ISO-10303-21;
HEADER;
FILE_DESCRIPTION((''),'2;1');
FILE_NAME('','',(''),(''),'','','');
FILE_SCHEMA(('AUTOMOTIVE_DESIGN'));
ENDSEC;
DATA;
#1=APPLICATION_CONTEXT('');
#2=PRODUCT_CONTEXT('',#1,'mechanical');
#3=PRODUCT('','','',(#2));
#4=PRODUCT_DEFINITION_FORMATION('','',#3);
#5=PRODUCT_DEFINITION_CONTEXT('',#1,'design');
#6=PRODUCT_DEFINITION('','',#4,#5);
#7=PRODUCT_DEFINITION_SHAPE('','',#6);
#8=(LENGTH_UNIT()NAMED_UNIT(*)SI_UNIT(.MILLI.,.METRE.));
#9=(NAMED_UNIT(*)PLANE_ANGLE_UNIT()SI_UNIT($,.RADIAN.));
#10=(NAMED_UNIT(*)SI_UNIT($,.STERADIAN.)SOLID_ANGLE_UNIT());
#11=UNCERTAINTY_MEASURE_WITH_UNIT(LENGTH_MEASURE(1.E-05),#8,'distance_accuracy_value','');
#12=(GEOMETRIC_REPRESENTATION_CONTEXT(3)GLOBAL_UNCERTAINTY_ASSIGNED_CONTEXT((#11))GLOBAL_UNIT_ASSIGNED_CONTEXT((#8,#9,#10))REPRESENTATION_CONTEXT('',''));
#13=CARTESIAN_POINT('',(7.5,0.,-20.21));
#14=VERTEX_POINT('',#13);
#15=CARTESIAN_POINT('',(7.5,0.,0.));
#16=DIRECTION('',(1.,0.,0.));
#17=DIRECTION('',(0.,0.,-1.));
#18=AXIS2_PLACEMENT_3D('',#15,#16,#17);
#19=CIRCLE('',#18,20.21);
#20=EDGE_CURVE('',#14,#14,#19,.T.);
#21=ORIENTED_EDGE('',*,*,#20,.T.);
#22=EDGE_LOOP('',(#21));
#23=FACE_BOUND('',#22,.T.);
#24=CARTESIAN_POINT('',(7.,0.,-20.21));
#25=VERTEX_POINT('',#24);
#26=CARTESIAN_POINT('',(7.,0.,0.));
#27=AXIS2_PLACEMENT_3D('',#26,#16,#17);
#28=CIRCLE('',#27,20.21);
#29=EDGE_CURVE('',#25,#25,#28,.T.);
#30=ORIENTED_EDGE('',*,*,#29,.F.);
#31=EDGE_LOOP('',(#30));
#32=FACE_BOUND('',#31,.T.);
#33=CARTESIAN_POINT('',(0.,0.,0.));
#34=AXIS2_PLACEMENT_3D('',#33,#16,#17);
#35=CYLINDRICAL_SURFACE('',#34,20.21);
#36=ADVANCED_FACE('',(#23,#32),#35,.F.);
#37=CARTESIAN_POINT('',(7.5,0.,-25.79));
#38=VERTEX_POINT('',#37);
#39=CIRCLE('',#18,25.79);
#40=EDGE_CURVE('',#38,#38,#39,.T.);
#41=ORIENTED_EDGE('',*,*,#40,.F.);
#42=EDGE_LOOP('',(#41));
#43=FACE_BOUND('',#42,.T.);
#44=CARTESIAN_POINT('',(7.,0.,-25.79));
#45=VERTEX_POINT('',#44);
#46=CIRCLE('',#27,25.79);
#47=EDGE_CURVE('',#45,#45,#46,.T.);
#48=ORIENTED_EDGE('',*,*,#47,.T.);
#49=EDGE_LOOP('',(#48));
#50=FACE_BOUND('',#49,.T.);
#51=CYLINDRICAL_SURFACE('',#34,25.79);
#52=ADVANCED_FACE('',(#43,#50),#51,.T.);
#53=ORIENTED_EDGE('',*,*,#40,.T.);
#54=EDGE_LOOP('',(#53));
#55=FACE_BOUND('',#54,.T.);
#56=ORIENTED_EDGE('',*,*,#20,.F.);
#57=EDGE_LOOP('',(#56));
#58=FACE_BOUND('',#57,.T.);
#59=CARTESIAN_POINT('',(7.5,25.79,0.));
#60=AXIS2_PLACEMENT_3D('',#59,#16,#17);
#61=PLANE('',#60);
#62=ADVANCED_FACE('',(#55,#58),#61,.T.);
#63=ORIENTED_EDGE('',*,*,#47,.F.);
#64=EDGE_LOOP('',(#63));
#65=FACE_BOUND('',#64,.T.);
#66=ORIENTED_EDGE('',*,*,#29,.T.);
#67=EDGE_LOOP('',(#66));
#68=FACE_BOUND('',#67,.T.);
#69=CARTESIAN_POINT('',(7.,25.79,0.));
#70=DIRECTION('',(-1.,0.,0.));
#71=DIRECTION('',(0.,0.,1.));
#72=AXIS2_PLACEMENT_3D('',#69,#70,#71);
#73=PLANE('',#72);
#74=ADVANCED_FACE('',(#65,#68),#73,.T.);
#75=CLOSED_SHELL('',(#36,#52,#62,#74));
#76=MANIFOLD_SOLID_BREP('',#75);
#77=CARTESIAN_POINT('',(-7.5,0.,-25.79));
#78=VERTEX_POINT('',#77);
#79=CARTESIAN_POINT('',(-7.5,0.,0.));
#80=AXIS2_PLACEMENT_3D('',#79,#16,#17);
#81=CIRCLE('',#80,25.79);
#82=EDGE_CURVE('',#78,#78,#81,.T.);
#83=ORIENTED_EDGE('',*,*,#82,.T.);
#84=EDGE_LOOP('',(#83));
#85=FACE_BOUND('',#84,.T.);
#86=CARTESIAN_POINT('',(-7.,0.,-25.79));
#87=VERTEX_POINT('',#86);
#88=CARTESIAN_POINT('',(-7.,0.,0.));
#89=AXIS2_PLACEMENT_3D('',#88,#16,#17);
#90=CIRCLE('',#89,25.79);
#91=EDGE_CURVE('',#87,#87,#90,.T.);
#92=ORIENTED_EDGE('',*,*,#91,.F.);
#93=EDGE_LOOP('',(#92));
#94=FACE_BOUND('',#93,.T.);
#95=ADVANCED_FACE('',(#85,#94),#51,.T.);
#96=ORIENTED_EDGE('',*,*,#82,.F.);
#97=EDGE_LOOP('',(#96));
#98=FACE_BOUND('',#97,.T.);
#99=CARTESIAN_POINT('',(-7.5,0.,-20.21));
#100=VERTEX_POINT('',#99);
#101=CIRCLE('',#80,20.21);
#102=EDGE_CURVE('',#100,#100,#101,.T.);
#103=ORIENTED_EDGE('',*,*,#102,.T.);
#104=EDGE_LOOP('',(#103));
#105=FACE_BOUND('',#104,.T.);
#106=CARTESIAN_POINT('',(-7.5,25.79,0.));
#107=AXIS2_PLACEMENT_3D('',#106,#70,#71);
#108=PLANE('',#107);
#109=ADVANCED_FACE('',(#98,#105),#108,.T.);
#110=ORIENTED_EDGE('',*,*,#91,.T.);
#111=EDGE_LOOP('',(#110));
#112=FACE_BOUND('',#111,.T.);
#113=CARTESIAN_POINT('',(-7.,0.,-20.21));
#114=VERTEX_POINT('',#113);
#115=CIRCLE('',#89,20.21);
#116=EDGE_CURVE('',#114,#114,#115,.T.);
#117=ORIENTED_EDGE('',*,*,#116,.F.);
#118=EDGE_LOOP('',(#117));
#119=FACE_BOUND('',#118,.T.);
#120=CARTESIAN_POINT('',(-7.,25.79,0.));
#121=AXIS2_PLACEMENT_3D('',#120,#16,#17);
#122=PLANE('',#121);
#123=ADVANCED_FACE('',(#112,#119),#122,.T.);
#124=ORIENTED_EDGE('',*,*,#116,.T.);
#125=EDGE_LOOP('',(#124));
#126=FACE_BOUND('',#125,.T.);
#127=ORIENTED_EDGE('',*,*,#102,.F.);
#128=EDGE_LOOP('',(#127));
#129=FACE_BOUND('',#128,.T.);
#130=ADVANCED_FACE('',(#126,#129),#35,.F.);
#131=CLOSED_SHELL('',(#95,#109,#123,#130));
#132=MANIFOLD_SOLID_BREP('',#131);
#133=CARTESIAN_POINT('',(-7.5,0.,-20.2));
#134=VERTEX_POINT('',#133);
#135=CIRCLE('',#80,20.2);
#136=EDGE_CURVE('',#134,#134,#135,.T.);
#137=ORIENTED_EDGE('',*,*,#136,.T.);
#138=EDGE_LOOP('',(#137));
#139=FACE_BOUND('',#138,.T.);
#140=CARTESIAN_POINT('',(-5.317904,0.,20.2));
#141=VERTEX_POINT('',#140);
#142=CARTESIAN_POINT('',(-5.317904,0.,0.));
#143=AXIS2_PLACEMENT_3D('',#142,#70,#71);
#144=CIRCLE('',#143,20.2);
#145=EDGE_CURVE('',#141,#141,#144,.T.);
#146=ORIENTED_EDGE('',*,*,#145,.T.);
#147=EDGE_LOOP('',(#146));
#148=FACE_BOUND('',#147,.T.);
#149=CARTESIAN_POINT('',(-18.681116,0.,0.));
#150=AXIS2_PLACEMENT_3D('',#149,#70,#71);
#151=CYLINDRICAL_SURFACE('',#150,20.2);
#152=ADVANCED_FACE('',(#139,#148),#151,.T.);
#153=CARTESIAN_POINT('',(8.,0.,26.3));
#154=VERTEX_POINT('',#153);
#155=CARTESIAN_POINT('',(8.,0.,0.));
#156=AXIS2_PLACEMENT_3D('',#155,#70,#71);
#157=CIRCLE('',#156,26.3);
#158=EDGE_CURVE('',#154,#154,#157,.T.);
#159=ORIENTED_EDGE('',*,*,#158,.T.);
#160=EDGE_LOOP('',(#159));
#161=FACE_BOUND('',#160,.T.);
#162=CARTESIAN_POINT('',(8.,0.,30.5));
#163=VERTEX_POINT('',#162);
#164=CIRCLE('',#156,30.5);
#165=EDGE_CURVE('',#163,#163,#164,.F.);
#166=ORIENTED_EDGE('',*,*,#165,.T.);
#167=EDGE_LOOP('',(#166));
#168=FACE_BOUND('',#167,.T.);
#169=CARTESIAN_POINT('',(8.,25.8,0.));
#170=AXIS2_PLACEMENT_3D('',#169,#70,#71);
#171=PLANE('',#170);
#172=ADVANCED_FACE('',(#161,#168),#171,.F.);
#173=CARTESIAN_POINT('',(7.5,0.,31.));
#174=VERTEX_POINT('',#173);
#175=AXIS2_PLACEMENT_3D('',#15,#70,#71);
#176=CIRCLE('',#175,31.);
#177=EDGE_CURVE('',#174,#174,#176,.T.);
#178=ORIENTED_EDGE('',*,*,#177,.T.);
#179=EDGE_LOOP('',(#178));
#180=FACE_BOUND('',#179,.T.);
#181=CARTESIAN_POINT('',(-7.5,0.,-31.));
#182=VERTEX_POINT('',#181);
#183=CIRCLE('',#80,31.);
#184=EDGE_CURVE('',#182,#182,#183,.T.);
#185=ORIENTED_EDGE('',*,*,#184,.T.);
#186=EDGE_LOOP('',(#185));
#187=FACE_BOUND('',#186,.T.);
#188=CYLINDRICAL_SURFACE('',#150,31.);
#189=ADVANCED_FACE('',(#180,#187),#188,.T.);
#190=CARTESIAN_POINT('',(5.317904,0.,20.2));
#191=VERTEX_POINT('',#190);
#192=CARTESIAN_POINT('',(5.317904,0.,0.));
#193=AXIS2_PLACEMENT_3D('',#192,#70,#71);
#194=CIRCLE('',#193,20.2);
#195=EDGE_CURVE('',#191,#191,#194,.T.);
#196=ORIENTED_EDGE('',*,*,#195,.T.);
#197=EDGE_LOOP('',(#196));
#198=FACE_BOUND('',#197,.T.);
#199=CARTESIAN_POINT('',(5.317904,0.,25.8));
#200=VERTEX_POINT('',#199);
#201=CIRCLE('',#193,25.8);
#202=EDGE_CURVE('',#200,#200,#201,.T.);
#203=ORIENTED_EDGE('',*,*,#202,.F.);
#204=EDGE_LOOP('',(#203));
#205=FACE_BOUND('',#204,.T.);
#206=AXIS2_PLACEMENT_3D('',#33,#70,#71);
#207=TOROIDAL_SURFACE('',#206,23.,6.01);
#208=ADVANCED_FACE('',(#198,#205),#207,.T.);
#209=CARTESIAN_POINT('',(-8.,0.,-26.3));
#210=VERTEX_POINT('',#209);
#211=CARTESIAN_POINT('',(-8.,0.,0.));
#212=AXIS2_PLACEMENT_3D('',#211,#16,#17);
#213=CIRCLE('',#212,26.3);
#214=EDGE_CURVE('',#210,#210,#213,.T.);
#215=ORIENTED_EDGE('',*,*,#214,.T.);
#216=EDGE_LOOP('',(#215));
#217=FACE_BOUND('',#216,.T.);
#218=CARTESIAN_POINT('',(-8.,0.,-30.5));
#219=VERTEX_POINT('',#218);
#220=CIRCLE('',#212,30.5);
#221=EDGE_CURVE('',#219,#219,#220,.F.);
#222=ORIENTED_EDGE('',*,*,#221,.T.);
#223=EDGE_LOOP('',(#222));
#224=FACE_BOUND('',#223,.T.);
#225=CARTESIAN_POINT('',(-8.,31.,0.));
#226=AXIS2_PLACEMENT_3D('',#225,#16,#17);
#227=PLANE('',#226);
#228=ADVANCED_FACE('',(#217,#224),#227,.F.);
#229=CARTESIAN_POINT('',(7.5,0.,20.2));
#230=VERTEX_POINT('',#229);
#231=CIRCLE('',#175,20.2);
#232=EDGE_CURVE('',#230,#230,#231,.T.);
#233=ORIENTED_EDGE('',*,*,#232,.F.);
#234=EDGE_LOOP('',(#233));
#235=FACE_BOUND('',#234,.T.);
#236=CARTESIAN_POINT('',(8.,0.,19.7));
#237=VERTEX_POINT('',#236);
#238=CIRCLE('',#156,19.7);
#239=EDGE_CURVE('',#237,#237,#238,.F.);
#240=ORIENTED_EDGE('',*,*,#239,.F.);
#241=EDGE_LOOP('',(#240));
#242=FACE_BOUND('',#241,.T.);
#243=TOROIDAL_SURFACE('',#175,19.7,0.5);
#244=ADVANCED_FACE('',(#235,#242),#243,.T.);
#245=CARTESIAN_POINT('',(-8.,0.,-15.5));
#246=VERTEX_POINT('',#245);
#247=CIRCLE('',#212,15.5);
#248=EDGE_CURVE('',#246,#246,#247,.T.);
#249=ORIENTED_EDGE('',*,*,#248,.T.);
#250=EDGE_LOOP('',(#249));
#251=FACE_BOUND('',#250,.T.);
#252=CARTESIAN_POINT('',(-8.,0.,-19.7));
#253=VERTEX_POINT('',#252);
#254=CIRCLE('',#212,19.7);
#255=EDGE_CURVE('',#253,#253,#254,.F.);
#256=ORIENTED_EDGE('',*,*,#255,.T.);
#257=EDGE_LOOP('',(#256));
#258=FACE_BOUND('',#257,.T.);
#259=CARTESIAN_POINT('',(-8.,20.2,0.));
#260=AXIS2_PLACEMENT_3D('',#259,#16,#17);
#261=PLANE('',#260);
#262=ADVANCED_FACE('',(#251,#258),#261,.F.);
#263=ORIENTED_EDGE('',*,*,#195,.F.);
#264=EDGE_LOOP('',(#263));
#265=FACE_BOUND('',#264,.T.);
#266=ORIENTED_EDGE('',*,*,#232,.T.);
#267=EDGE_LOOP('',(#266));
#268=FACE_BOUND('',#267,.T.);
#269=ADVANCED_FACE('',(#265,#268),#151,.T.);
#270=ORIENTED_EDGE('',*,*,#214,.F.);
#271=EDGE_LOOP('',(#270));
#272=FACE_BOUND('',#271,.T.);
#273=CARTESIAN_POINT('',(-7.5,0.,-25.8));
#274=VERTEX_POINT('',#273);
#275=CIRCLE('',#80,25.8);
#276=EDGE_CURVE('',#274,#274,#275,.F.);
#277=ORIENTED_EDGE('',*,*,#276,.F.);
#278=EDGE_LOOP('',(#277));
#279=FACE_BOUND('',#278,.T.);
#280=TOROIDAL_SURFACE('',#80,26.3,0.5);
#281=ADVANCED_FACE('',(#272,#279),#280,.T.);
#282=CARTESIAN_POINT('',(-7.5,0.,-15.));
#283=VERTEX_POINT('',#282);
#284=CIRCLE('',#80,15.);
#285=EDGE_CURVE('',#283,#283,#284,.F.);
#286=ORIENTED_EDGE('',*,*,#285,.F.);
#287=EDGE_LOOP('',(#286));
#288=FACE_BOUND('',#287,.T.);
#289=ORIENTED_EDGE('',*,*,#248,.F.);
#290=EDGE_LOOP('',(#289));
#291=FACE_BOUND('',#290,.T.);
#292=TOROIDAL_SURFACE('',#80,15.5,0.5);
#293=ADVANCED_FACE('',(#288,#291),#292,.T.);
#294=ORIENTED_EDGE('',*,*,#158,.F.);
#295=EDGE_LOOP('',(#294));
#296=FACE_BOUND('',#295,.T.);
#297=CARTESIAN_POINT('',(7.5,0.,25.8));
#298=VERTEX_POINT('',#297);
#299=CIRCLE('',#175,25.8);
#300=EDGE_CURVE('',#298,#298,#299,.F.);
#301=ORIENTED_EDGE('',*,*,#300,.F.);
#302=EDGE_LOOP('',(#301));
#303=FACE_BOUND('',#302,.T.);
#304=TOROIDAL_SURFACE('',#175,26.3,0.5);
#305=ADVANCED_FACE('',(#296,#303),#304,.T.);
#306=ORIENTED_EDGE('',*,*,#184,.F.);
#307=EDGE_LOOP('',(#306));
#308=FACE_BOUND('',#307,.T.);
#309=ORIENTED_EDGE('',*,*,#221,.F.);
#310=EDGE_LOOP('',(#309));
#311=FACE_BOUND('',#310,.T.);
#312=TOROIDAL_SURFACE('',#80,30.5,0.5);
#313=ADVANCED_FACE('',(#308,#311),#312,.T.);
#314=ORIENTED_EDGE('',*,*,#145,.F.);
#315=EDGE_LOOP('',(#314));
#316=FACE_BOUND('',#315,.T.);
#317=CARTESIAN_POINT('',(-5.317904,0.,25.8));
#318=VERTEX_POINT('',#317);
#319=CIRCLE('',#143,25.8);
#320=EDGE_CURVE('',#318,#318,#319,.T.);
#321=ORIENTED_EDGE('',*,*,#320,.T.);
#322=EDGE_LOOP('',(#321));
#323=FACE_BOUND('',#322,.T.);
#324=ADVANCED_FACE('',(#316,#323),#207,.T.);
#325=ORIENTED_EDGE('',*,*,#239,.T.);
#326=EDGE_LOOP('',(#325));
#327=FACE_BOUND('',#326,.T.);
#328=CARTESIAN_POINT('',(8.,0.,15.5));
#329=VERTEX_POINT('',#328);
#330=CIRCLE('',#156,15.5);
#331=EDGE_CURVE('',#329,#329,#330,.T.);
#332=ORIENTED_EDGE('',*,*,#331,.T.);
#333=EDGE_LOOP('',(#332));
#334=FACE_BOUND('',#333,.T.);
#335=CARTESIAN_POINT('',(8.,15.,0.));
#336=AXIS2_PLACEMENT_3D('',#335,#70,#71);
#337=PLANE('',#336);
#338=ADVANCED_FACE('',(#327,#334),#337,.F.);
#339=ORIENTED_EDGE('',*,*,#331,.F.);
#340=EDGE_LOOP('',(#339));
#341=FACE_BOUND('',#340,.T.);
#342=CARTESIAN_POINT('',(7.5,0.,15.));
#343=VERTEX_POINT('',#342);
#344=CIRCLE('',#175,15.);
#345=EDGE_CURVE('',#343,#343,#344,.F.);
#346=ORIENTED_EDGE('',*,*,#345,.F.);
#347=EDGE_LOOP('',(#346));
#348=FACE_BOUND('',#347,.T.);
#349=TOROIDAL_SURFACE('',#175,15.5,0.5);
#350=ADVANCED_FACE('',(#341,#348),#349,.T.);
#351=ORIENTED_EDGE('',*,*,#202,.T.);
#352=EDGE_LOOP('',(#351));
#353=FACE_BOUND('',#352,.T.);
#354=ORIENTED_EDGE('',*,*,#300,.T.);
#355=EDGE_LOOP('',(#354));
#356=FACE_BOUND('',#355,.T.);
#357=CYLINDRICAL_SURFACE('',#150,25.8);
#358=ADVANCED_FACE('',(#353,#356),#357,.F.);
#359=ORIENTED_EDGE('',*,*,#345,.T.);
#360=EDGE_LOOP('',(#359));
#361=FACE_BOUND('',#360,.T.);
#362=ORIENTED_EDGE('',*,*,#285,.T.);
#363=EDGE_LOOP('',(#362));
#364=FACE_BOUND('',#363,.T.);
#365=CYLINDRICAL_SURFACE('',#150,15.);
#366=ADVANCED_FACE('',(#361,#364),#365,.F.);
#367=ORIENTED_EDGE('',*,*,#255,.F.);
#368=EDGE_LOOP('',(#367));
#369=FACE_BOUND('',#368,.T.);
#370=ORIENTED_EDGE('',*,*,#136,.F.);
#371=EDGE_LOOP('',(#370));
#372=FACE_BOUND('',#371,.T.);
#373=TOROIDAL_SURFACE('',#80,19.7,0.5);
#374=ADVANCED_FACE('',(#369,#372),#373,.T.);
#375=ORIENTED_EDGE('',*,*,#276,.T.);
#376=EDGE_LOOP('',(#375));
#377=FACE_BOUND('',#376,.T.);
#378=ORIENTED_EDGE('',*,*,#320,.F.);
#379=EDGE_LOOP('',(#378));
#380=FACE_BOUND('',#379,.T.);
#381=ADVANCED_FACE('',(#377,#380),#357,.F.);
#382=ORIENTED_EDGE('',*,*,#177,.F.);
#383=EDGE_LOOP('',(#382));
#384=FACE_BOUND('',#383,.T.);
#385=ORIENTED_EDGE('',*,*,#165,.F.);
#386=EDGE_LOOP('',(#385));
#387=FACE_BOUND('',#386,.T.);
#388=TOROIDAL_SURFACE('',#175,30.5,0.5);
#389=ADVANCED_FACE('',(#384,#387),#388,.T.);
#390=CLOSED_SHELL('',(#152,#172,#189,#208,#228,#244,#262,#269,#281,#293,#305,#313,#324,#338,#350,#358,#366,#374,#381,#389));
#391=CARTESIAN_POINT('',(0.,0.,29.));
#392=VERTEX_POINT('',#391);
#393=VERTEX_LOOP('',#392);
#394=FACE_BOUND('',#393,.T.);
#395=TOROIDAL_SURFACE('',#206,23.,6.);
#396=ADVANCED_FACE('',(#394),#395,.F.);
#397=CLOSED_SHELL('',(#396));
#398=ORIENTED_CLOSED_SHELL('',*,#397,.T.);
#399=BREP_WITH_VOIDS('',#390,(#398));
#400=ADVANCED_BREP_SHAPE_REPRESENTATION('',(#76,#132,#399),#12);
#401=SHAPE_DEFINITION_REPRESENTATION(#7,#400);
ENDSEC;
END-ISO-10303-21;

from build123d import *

# Parameters (mm, degrees)
SKIZZE1_R     = 6
VERRUNDUNG1_R = 0.5
SKIZZE4_W     = 0.5
SKIZZE4_H     = 5.58


with BuildPart() as part:
    # Skizze1 → Basis-Rotation (revolve)
    with BuildSketch(Plane.XY, mode=Mode.PRIVATE) as basis_rotation_sk:
        with BuildLine():
            Line((8, 15), (-8, 15))
            Line((-8, 15), (-8, 20.2))
            Line((-8, 20.2), (-5.317903722, 20.2))
            ThreePointArc((-5.317903722, 20.2), (-6.01, 23), (-5.317903722, 25.8))
            Line((-5.317903722, 25.8), (-8, 25.8))
            Line((-8, 25.8), (-8, 31))
            Line((-8, 31), (8, 31))
            Line((8, 31), (8, 25.8))
            Line((8, 25.8), (5.317903722, 25.8))
            ThreePointArc((5.317903722, 25.8), (6.01, 23), (5.317903722, 20.2))
            Line((5.317903722, 20.2), (8, 20.2))
            Line((8, 20.2), (8, 15))
        make_face()
        with Locations((0, 23)):
            Circle(SKIZZE1_R, mode=Mode.SUBTRACT)
    revolve(basis_rotation_sk.sketch.rotate(Axis((-18.681116423, 0, 0), (1, 0, 0)), 90), axis=Axis((-18.681116423, 0, 0), (1, 0, 0)))

    # Verrundung1
    verrundung1_edges = [part.edges().sort_by_distance(p)[0] for p in [
        (-8, 0, -20.2),
        (-8, 0, -25.8),
        (-8, 0, -31),
        (8, 0, -31),
        (8, 0, -25.8),
        (8, 0, -20.2),
        (8, 0, -15),
        (-8, 0, -15),
    ]]
    fillet(verrundung1_edges, radius=VERRUNDUNG1_R)


with BuildPart() as body_2:
    # Skizze4 → Rotation1 (revolve)
    with BuildSketch(Plane.XY, mode=Mode.PRIVATE) as rotation1_sk:
        with Locations((-7.25, 23)):
            Rectangle(SKIZZE4_W, SKIZZE4_H)
        with Locations((7.25, 23)):
            Rectangle(SKIZZE4_W, SKIZZE4_H)
    revolve(rotation1_sk.sketch.rotate(Axis((0, 0, 0), (-1, 0, 0)), 90), axis=Axis((0, 0, 0), (-1, 0, 0)))


solid = Compound([part.part, body_2.part])
